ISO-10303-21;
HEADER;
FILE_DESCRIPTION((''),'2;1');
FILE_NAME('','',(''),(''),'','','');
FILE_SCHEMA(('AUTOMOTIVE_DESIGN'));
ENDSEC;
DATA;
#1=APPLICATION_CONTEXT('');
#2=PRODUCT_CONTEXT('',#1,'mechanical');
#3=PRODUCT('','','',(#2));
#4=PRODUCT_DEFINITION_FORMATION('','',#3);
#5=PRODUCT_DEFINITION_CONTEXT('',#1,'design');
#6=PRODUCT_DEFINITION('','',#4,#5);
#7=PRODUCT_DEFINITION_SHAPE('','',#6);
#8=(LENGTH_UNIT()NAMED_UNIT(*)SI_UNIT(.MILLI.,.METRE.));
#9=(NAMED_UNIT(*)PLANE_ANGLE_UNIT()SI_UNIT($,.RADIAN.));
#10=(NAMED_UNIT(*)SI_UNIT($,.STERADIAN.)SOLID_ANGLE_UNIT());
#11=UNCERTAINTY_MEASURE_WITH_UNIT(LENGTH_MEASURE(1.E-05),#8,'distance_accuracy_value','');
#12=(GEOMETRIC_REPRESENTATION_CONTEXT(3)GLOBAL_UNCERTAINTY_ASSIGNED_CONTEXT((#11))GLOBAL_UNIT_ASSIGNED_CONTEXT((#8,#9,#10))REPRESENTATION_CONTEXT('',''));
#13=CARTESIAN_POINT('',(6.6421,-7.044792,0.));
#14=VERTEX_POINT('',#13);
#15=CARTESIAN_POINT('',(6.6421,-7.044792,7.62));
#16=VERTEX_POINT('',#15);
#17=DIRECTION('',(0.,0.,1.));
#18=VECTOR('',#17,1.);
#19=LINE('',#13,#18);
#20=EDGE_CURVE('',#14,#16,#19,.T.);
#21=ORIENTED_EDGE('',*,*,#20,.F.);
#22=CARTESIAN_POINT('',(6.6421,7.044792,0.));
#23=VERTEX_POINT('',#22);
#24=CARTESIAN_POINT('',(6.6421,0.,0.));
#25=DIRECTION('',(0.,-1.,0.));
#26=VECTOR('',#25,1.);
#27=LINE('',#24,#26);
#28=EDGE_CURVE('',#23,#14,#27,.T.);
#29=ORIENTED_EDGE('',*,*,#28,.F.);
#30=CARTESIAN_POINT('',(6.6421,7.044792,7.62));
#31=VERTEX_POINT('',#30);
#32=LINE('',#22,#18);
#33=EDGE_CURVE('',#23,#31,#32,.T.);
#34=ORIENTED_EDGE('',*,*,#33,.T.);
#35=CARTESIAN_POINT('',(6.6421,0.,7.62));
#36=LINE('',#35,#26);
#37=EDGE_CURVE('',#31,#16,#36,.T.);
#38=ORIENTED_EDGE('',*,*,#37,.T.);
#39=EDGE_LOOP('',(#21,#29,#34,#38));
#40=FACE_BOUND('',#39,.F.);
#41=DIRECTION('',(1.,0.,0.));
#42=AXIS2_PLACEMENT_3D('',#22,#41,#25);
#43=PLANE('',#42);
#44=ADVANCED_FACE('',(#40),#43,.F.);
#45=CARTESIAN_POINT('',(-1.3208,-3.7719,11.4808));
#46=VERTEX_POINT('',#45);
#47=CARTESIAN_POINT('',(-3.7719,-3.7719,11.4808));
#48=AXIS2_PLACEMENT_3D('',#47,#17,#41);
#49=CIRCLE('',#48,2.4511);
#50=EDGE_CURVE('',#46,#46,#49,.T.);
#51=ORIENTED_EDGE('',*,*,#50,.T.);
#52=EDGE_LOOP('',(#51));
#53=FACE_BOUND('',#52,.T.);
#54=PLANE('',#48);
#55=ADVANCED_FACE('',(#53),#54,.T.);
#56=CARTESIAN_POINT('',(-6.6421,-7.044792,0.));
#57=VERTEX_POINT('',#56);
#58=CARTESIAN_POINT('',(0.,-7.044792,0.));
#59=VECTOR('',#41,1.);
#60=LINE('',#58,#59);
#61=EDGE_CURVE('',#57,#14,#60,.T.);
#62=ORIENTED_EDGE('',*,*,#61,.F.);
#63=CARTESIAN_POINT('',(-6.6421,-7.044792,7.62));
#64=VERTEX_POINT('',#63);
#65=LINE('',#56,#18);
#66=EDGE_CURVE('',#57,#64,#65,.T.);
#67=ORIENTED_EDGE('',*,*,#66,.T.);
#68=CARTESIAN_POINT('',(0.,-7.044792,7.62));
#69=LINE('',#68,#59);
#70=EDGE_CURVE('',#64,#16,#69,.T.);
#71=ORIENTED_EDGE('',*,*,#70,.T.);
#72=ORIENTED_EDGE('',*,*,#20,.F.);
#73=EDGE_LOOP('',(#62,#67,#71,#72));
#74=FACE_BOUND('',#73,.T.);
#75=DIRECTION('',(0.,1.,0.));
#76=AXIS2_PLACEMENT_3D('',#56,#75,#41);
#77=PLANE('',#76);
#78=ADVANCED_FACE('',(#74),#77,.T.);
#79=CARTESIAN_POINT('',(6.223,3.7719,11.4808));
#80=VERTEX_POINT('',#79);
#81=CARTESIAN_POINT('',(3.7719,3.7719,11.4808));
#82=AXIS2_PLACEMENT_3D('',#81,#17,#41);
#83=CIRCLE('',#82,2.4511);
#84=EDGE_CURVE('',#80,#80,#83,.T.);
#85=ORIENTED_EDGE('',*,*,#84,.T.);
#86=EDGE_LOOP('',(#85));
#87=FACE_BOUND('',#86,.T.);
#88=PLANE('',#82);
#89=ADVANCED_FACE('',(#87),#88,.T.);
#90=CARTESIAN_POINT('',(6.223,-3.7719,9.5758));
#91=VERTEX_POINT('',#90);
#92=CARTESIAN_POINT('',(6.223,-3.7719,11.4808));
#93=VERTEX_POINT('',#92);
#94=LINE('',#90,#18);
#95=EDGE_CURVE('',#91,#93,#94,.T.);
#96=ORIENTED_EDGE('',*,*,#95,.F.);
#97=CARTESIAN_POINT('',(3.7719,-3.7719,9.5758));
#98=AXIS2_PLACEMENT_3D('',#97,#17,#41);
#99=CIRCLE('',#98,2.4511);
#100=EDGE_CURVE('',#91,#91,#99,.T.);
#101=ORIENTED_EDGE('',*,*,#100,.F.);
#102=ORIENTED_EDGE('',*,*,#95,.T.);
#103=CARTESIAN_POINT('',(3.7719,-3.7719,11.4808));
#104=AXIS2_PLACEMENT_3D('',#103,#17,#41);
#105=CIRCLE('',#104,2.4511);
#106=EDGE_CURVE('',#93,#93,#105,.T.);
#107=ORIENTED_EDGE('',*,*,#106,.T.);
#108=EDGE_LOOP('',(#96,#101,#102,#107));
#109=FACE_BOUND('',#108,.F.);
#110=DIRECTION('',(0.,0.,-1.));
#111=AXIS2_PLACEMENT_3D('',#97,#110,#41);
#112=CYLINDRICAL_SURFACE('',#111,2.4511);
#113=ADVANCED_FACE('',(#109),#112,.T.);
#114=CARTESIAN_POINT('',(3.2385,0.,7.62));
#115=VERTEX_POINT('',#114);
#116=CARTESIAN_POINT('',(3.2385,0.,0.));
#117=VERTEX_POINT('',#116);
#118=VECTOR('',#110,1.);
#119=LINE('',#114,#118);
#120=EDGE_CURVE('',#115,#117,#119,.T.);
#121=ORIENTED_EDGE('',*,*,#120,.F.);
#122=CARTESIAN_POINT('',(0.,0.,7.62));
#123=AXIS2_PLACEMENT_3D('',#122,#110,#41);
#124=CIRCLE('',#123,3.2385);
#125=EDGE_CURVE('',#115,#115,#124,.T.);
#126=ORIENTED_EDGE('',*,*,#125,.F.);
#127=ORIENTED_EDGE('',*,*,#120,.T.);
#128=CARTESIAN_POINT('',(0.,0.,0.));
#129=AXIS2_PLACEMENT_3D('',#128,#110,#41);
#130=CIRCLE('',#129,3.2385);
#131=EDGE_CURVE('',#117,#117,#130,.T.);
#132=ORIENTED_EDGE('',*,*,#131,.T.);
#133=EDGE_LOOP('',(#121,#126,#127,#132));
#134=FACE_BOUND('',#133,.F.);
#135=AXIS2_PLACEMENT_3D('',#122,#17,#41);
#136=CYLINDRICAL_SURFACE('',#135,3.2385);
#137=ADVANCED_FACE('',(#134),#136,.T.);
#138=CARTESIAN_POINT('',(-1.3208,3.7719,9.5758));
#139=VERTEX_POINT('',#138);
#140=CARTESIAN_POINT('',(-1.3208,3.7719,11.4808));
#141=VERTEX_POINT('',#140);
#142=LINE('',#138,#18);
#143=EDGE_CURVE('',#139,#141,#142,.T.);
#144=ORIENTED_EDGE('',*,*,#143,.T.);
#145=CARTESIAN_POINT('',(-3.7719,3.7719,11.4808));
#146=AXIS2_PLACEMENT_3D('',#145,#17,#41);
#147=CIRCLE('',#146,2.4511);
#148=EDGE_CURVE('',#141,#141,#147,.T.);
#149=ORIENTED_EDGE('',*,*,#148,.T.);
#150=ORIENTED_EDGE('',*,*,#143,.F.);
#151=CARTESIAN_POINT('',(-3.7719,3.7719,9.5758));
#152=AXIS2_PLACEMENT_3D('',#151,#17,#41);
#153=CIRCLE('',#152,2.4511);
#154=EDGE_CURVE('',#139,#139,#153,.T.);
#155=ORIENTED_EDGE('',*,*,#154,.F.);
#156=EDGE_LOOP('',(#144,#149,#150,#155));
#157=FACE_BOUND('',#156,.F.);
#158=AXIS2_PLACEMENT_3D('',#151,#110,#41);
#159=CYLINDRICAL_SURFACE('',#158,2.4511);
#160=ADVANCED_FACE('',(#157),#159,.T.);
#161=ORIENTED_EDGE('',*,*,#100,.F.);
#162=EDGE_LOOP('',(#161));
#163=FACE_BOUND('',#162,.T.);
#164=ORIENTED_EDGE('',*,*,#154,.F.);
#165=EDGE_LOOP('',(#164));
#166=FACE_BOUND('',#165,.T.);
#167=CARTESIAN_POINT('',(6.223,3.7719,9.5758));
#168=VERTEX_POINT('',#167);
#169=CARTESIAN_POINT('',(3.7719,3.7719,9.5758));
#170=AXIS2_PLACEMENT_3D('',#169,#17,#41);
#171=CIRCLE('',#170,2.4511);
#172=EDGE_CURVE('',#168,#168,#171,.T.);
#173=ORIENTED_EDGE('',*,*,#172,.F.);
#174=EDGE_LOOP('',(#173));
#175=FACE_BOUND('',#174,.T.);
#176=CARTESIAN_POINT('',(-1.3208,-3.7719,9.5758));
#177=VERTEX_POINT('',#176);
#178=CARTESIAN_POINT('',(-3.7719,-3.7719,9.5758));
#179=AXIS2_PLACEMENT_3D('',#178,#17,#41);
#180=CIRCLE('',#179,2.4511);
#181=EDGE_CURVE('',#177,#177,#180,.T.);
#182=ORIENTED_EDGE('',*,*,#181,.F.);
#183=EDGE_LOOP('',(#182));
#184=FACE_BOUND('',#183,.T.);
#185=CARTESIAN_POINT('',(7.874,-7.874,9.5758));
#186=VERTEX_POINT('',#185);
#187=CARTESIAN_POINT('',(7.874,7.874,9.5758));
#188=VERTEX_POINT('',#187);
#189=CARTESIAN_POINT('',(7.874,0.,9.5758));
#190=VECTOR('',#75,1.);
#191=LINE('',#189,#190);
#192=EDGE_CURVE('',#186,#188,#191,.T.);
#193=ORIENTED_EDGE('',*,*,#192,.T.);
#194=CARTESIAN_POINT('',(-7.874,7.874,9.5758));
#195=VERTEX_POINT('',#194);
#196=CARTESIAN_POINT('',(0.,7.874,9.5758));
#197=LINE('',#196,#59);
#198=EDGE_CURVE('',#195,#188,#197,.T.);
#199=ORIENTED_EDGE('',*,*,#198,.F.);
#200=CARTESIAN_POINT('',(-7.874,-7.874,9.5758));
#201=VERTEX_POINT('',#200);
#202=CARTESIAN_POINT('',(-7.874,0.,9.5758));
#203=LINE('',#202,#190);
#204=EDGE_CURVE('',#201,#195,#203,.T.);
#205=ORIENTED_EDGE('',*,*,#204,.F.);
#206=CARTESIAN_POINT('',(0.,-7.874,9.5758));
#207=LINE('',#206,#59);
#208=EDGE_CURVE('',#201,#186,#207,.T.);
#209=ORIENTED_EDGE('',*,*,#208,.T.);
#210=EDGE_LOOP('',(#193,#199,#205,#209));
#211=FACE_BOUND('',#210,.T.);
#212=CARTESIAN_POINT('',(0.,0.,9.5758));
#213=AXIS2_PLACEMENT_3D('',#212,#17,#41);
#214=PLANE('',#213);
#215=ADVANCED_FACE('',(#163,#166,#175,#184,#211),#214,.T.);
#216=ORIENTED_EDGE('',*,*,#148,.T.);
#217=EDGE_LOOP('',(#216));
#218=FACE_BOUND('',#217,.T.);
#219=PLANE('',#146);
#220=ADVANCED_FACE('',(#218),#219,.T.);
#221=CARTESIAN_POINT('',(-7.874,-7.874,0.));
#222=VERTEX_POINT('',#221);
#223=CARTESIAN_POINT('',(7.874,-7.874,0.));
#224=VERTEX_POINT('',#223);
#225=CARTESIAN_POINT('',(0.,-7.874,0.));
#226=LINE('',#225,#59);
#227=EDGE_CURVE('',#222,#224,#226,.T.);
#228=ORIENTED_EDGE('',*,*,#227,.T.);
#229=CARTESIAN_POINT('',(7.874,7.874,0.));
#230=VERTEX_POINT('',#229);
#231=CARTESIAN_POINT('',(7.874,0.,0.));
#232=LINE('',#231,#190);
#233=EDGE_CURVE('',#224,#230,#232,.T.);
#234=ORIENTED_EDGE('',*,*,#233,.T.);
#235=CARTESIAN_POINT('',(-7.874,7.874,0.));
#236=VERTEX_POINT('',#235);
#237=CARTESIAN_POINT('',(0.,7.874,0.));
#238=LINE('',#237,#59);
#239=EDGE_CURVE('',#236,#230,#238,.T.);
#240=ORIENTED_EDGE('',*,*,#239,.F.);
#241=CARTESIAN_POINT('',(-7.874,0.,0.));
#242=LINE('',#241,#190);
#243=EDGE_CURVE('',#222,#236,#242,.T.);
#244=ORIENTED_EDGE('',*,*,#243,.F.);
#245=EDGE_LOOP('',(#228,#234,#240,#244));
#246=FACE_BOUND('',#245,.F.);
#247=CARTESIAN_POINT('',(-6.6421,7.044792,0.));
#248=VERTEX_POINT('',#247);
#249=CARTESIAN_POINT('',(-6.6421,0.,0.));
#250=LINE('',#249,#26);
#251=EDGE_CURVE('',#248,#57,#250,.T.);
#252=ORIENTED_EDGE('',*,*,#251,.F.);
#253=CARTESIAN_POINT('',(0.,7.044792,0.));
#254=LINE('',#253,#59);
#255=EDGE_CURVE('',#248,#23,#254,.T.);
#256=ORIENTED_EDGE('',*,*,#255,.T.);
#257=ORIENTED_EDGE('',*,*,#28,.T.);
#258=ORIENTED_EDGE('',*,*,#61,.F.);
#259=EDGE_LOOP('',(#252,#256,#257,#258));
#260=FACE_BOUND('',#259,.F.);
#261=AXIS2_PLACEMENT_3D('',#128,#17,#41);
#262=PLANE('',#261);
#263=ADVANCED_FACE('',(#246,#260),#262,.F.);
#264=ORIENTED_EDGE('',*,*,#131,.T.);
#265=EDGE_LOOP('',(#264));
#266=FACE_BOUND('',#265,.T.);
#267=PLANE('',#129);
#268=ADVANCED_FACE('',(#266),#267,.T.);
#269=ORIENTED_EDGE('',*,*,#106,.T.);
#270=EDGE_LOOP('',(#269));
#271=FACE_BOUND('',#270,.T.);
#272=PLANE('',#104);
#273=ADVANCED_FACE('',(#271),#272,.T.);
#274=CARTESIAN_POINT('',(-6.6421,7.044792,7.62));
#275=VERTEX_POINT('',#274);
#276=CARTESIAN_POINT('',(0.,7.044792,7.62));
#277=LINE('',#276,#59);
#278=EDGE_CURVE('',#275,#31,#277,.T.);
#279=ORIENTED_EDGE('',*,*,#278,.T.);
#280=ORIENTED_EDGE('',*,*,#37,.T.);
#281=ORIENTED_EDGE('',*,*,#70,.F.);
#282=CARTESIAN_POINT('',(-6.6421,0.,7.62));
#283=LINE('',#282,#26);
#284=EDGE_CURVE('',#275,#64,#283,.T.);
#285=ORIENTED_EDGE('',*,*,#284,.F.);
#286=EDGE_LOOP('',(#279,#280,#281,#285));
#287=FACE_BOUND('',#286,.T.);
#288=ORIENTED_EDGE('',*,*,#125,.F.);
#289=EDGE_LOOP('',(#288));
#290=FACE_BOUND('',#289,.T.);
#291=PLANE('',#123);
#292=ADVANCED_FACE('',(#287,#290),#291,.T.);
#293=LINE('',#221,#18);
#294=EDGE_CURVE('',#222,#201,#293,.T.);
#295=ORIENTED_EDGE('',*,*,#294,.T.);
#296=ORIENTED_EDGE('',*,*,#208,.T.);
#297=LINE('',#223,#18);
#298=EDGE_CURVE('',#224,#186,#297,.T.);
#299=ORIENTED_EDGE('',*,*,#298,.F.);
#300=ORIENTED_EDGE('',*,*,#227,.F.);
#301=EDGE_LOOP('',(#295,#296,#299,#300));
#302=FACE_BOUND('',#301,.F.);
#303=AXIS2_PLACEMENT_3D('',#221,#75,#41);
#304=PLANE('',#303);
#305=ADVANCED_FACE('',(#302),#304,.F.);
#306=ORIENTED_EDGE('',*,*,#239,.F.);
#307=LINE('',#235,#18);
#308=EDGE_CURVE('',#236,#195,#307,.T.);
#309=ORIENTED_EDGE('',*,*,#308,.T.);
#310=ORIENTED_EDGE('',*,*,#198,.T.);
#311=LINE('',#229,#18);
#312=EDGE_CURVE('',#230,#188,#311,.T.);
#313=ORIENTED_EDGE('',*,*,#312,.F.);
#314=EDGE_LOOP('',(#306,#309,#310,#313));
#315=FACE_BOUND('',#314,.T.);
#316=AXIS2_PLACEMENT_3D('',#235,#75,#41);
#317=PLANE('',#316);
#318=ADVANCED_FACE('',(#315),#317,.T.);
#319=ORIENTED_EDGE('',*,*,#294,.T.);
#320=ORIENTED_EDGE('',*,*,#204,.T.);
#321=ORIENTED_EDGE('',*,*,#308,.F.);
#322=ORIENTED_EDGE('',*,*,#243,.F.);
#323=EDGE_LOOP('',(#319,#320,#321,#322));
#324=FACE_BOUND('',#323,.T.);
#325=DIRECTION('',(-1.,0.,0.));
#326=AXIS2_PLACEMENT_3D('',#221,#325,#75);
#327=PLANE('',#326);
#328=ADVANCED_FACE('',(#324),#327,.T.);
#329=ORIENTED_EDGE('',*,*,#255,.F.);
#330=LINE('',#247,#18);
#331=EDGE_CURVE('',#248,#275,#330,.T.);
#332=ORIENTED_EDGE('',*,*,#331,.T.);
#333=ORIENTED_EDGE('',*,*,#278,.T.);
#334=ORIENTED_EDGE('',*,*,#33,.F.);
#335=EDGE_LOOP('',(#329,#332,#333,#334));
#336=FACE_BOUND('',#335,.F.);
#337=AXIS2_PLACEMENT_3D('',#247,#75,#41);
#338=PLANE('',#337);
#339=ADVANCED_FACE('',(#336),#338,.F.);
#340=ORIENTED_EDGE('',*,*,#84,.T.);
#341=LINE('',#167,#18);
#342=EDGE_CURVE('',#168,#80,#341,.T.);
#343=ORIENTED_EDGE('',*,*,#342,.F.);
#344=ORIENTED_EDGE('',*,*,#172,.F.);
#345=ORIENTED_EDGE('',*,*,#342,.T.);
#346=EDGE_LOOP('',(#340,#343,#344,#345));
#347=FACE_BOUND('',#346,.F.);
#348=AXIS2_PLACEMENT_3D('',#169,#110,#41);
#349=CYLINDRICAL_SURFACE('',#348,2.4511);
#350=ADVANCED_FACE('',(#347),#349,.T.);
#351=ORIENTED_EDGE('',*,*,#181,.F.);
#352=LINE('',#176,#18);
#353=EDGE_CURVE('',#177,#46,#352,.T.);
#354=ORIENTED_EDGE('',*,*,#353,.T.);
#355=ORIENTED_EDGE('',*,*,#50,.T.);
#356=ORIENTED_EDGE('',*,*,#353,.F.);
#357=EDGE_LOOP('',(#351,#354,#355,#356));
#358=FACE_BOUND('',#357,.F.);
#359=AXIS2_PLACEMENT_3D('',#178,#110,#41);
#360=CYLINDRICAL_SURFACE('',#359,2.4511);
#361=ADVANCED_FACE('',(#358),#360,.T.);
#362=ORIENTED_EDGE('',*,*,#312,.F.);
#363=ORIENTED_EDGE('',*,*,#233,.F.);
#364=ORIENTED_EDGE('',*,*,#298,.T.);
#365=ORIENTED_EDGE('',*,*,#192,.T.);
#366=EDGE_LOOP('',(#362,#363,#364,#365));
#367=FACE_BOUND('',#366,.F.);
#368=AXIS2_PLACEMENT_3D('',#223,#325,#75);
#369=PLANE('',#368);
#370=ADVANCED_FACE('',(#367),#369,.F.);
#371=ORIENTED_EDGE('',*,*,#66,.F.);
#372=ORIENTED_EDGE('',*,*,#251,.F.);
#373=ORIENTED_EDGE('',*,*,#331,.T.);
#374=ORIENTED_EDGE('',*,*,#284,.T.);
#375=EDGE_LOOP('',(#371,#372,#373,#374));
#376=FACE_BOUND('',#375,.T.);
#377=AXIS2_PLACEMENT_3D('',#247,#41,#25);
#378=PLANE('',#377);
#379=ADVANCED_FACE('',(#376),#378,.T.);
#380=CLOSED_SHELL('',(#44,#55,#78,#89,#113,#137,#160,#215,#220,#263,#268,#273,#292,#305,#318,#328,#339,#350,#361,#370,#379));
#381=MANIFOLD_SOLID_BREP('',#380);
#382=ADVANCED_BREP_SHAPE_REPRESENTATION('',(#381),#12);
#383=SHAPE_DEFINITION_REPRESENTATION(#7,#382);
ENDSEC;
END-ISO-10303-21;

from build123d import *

# Parameters (mm, degrees)
F0_W      = 15.748
F0_H      = 15.748
F1_DEPTH  = 9.5758
F2_R      = 2.4511
F4_DEPTH  = 1.905
F3_R      = 2.4511
F5_DEPTH  = 1.905
F6_R      = 2.4511
F7_DEPTH  = 1.905
F8_W      = 13.2842
F8_H      = 14.089584
F9_DEPTH  = 7.62
F10_R     = 3.2385
F11_DEPTH = 7.62


with BuildPart() as f1:
    # F0 (on Top) → F1 (new body)
    with BuildSketch(Plane.XY):
        Rectangle(F0_W, F0_H)
    extrude(amount=F1_DEPTH)

    # F2 (on face) → F4 (join)
    with BuildSketch(Plane.XY.offset(9.5758)):
        with Locations((-3.7719, 3.7719)):
            Circle(F2_R)
    extrude(amount=F4_DEPTH)

    # F3 (on face) → F5 (join)
    with BuildSketch(Plane.XY.offset(9.5758)):
        with Locations((-3.7719, -3.7719)):
            Circle(F3_R)
    extrude(amount=F5_DEPTH)

    # F6 (on face) → F7 (join)
    with BuildSketch(Plane.XY.offset(9.5758)):
        with Locations((3.7719, 3.7719)):
            Circle(F6_R)
        with Locations((3.7719, -3.7719)):
            Circle(F6_R)
    extrude(amount=F7_DEPTH)

    # F8 (on face) → F9 (cut)
    with BuildSketch(Plane(origin=(0, 0, 0), x_dir=(1, 0, 0), z_dir=(0, 0, -1))):
        Rectangle(F8_W, F8_H)
    extrude(amount=-F9_DEPTH, mode=Mode.SUBTRACT)

    # F10 (on face) → F11 (join)
    with BuildSketch(Plane(origin=(0, 0, 7.62), x_dir=(1, 0, 0), z_dir=(0, 0, -1))):
        Circle(F10_R)
    extrude(amount=F11_DEPTH)


solid = f1.part
